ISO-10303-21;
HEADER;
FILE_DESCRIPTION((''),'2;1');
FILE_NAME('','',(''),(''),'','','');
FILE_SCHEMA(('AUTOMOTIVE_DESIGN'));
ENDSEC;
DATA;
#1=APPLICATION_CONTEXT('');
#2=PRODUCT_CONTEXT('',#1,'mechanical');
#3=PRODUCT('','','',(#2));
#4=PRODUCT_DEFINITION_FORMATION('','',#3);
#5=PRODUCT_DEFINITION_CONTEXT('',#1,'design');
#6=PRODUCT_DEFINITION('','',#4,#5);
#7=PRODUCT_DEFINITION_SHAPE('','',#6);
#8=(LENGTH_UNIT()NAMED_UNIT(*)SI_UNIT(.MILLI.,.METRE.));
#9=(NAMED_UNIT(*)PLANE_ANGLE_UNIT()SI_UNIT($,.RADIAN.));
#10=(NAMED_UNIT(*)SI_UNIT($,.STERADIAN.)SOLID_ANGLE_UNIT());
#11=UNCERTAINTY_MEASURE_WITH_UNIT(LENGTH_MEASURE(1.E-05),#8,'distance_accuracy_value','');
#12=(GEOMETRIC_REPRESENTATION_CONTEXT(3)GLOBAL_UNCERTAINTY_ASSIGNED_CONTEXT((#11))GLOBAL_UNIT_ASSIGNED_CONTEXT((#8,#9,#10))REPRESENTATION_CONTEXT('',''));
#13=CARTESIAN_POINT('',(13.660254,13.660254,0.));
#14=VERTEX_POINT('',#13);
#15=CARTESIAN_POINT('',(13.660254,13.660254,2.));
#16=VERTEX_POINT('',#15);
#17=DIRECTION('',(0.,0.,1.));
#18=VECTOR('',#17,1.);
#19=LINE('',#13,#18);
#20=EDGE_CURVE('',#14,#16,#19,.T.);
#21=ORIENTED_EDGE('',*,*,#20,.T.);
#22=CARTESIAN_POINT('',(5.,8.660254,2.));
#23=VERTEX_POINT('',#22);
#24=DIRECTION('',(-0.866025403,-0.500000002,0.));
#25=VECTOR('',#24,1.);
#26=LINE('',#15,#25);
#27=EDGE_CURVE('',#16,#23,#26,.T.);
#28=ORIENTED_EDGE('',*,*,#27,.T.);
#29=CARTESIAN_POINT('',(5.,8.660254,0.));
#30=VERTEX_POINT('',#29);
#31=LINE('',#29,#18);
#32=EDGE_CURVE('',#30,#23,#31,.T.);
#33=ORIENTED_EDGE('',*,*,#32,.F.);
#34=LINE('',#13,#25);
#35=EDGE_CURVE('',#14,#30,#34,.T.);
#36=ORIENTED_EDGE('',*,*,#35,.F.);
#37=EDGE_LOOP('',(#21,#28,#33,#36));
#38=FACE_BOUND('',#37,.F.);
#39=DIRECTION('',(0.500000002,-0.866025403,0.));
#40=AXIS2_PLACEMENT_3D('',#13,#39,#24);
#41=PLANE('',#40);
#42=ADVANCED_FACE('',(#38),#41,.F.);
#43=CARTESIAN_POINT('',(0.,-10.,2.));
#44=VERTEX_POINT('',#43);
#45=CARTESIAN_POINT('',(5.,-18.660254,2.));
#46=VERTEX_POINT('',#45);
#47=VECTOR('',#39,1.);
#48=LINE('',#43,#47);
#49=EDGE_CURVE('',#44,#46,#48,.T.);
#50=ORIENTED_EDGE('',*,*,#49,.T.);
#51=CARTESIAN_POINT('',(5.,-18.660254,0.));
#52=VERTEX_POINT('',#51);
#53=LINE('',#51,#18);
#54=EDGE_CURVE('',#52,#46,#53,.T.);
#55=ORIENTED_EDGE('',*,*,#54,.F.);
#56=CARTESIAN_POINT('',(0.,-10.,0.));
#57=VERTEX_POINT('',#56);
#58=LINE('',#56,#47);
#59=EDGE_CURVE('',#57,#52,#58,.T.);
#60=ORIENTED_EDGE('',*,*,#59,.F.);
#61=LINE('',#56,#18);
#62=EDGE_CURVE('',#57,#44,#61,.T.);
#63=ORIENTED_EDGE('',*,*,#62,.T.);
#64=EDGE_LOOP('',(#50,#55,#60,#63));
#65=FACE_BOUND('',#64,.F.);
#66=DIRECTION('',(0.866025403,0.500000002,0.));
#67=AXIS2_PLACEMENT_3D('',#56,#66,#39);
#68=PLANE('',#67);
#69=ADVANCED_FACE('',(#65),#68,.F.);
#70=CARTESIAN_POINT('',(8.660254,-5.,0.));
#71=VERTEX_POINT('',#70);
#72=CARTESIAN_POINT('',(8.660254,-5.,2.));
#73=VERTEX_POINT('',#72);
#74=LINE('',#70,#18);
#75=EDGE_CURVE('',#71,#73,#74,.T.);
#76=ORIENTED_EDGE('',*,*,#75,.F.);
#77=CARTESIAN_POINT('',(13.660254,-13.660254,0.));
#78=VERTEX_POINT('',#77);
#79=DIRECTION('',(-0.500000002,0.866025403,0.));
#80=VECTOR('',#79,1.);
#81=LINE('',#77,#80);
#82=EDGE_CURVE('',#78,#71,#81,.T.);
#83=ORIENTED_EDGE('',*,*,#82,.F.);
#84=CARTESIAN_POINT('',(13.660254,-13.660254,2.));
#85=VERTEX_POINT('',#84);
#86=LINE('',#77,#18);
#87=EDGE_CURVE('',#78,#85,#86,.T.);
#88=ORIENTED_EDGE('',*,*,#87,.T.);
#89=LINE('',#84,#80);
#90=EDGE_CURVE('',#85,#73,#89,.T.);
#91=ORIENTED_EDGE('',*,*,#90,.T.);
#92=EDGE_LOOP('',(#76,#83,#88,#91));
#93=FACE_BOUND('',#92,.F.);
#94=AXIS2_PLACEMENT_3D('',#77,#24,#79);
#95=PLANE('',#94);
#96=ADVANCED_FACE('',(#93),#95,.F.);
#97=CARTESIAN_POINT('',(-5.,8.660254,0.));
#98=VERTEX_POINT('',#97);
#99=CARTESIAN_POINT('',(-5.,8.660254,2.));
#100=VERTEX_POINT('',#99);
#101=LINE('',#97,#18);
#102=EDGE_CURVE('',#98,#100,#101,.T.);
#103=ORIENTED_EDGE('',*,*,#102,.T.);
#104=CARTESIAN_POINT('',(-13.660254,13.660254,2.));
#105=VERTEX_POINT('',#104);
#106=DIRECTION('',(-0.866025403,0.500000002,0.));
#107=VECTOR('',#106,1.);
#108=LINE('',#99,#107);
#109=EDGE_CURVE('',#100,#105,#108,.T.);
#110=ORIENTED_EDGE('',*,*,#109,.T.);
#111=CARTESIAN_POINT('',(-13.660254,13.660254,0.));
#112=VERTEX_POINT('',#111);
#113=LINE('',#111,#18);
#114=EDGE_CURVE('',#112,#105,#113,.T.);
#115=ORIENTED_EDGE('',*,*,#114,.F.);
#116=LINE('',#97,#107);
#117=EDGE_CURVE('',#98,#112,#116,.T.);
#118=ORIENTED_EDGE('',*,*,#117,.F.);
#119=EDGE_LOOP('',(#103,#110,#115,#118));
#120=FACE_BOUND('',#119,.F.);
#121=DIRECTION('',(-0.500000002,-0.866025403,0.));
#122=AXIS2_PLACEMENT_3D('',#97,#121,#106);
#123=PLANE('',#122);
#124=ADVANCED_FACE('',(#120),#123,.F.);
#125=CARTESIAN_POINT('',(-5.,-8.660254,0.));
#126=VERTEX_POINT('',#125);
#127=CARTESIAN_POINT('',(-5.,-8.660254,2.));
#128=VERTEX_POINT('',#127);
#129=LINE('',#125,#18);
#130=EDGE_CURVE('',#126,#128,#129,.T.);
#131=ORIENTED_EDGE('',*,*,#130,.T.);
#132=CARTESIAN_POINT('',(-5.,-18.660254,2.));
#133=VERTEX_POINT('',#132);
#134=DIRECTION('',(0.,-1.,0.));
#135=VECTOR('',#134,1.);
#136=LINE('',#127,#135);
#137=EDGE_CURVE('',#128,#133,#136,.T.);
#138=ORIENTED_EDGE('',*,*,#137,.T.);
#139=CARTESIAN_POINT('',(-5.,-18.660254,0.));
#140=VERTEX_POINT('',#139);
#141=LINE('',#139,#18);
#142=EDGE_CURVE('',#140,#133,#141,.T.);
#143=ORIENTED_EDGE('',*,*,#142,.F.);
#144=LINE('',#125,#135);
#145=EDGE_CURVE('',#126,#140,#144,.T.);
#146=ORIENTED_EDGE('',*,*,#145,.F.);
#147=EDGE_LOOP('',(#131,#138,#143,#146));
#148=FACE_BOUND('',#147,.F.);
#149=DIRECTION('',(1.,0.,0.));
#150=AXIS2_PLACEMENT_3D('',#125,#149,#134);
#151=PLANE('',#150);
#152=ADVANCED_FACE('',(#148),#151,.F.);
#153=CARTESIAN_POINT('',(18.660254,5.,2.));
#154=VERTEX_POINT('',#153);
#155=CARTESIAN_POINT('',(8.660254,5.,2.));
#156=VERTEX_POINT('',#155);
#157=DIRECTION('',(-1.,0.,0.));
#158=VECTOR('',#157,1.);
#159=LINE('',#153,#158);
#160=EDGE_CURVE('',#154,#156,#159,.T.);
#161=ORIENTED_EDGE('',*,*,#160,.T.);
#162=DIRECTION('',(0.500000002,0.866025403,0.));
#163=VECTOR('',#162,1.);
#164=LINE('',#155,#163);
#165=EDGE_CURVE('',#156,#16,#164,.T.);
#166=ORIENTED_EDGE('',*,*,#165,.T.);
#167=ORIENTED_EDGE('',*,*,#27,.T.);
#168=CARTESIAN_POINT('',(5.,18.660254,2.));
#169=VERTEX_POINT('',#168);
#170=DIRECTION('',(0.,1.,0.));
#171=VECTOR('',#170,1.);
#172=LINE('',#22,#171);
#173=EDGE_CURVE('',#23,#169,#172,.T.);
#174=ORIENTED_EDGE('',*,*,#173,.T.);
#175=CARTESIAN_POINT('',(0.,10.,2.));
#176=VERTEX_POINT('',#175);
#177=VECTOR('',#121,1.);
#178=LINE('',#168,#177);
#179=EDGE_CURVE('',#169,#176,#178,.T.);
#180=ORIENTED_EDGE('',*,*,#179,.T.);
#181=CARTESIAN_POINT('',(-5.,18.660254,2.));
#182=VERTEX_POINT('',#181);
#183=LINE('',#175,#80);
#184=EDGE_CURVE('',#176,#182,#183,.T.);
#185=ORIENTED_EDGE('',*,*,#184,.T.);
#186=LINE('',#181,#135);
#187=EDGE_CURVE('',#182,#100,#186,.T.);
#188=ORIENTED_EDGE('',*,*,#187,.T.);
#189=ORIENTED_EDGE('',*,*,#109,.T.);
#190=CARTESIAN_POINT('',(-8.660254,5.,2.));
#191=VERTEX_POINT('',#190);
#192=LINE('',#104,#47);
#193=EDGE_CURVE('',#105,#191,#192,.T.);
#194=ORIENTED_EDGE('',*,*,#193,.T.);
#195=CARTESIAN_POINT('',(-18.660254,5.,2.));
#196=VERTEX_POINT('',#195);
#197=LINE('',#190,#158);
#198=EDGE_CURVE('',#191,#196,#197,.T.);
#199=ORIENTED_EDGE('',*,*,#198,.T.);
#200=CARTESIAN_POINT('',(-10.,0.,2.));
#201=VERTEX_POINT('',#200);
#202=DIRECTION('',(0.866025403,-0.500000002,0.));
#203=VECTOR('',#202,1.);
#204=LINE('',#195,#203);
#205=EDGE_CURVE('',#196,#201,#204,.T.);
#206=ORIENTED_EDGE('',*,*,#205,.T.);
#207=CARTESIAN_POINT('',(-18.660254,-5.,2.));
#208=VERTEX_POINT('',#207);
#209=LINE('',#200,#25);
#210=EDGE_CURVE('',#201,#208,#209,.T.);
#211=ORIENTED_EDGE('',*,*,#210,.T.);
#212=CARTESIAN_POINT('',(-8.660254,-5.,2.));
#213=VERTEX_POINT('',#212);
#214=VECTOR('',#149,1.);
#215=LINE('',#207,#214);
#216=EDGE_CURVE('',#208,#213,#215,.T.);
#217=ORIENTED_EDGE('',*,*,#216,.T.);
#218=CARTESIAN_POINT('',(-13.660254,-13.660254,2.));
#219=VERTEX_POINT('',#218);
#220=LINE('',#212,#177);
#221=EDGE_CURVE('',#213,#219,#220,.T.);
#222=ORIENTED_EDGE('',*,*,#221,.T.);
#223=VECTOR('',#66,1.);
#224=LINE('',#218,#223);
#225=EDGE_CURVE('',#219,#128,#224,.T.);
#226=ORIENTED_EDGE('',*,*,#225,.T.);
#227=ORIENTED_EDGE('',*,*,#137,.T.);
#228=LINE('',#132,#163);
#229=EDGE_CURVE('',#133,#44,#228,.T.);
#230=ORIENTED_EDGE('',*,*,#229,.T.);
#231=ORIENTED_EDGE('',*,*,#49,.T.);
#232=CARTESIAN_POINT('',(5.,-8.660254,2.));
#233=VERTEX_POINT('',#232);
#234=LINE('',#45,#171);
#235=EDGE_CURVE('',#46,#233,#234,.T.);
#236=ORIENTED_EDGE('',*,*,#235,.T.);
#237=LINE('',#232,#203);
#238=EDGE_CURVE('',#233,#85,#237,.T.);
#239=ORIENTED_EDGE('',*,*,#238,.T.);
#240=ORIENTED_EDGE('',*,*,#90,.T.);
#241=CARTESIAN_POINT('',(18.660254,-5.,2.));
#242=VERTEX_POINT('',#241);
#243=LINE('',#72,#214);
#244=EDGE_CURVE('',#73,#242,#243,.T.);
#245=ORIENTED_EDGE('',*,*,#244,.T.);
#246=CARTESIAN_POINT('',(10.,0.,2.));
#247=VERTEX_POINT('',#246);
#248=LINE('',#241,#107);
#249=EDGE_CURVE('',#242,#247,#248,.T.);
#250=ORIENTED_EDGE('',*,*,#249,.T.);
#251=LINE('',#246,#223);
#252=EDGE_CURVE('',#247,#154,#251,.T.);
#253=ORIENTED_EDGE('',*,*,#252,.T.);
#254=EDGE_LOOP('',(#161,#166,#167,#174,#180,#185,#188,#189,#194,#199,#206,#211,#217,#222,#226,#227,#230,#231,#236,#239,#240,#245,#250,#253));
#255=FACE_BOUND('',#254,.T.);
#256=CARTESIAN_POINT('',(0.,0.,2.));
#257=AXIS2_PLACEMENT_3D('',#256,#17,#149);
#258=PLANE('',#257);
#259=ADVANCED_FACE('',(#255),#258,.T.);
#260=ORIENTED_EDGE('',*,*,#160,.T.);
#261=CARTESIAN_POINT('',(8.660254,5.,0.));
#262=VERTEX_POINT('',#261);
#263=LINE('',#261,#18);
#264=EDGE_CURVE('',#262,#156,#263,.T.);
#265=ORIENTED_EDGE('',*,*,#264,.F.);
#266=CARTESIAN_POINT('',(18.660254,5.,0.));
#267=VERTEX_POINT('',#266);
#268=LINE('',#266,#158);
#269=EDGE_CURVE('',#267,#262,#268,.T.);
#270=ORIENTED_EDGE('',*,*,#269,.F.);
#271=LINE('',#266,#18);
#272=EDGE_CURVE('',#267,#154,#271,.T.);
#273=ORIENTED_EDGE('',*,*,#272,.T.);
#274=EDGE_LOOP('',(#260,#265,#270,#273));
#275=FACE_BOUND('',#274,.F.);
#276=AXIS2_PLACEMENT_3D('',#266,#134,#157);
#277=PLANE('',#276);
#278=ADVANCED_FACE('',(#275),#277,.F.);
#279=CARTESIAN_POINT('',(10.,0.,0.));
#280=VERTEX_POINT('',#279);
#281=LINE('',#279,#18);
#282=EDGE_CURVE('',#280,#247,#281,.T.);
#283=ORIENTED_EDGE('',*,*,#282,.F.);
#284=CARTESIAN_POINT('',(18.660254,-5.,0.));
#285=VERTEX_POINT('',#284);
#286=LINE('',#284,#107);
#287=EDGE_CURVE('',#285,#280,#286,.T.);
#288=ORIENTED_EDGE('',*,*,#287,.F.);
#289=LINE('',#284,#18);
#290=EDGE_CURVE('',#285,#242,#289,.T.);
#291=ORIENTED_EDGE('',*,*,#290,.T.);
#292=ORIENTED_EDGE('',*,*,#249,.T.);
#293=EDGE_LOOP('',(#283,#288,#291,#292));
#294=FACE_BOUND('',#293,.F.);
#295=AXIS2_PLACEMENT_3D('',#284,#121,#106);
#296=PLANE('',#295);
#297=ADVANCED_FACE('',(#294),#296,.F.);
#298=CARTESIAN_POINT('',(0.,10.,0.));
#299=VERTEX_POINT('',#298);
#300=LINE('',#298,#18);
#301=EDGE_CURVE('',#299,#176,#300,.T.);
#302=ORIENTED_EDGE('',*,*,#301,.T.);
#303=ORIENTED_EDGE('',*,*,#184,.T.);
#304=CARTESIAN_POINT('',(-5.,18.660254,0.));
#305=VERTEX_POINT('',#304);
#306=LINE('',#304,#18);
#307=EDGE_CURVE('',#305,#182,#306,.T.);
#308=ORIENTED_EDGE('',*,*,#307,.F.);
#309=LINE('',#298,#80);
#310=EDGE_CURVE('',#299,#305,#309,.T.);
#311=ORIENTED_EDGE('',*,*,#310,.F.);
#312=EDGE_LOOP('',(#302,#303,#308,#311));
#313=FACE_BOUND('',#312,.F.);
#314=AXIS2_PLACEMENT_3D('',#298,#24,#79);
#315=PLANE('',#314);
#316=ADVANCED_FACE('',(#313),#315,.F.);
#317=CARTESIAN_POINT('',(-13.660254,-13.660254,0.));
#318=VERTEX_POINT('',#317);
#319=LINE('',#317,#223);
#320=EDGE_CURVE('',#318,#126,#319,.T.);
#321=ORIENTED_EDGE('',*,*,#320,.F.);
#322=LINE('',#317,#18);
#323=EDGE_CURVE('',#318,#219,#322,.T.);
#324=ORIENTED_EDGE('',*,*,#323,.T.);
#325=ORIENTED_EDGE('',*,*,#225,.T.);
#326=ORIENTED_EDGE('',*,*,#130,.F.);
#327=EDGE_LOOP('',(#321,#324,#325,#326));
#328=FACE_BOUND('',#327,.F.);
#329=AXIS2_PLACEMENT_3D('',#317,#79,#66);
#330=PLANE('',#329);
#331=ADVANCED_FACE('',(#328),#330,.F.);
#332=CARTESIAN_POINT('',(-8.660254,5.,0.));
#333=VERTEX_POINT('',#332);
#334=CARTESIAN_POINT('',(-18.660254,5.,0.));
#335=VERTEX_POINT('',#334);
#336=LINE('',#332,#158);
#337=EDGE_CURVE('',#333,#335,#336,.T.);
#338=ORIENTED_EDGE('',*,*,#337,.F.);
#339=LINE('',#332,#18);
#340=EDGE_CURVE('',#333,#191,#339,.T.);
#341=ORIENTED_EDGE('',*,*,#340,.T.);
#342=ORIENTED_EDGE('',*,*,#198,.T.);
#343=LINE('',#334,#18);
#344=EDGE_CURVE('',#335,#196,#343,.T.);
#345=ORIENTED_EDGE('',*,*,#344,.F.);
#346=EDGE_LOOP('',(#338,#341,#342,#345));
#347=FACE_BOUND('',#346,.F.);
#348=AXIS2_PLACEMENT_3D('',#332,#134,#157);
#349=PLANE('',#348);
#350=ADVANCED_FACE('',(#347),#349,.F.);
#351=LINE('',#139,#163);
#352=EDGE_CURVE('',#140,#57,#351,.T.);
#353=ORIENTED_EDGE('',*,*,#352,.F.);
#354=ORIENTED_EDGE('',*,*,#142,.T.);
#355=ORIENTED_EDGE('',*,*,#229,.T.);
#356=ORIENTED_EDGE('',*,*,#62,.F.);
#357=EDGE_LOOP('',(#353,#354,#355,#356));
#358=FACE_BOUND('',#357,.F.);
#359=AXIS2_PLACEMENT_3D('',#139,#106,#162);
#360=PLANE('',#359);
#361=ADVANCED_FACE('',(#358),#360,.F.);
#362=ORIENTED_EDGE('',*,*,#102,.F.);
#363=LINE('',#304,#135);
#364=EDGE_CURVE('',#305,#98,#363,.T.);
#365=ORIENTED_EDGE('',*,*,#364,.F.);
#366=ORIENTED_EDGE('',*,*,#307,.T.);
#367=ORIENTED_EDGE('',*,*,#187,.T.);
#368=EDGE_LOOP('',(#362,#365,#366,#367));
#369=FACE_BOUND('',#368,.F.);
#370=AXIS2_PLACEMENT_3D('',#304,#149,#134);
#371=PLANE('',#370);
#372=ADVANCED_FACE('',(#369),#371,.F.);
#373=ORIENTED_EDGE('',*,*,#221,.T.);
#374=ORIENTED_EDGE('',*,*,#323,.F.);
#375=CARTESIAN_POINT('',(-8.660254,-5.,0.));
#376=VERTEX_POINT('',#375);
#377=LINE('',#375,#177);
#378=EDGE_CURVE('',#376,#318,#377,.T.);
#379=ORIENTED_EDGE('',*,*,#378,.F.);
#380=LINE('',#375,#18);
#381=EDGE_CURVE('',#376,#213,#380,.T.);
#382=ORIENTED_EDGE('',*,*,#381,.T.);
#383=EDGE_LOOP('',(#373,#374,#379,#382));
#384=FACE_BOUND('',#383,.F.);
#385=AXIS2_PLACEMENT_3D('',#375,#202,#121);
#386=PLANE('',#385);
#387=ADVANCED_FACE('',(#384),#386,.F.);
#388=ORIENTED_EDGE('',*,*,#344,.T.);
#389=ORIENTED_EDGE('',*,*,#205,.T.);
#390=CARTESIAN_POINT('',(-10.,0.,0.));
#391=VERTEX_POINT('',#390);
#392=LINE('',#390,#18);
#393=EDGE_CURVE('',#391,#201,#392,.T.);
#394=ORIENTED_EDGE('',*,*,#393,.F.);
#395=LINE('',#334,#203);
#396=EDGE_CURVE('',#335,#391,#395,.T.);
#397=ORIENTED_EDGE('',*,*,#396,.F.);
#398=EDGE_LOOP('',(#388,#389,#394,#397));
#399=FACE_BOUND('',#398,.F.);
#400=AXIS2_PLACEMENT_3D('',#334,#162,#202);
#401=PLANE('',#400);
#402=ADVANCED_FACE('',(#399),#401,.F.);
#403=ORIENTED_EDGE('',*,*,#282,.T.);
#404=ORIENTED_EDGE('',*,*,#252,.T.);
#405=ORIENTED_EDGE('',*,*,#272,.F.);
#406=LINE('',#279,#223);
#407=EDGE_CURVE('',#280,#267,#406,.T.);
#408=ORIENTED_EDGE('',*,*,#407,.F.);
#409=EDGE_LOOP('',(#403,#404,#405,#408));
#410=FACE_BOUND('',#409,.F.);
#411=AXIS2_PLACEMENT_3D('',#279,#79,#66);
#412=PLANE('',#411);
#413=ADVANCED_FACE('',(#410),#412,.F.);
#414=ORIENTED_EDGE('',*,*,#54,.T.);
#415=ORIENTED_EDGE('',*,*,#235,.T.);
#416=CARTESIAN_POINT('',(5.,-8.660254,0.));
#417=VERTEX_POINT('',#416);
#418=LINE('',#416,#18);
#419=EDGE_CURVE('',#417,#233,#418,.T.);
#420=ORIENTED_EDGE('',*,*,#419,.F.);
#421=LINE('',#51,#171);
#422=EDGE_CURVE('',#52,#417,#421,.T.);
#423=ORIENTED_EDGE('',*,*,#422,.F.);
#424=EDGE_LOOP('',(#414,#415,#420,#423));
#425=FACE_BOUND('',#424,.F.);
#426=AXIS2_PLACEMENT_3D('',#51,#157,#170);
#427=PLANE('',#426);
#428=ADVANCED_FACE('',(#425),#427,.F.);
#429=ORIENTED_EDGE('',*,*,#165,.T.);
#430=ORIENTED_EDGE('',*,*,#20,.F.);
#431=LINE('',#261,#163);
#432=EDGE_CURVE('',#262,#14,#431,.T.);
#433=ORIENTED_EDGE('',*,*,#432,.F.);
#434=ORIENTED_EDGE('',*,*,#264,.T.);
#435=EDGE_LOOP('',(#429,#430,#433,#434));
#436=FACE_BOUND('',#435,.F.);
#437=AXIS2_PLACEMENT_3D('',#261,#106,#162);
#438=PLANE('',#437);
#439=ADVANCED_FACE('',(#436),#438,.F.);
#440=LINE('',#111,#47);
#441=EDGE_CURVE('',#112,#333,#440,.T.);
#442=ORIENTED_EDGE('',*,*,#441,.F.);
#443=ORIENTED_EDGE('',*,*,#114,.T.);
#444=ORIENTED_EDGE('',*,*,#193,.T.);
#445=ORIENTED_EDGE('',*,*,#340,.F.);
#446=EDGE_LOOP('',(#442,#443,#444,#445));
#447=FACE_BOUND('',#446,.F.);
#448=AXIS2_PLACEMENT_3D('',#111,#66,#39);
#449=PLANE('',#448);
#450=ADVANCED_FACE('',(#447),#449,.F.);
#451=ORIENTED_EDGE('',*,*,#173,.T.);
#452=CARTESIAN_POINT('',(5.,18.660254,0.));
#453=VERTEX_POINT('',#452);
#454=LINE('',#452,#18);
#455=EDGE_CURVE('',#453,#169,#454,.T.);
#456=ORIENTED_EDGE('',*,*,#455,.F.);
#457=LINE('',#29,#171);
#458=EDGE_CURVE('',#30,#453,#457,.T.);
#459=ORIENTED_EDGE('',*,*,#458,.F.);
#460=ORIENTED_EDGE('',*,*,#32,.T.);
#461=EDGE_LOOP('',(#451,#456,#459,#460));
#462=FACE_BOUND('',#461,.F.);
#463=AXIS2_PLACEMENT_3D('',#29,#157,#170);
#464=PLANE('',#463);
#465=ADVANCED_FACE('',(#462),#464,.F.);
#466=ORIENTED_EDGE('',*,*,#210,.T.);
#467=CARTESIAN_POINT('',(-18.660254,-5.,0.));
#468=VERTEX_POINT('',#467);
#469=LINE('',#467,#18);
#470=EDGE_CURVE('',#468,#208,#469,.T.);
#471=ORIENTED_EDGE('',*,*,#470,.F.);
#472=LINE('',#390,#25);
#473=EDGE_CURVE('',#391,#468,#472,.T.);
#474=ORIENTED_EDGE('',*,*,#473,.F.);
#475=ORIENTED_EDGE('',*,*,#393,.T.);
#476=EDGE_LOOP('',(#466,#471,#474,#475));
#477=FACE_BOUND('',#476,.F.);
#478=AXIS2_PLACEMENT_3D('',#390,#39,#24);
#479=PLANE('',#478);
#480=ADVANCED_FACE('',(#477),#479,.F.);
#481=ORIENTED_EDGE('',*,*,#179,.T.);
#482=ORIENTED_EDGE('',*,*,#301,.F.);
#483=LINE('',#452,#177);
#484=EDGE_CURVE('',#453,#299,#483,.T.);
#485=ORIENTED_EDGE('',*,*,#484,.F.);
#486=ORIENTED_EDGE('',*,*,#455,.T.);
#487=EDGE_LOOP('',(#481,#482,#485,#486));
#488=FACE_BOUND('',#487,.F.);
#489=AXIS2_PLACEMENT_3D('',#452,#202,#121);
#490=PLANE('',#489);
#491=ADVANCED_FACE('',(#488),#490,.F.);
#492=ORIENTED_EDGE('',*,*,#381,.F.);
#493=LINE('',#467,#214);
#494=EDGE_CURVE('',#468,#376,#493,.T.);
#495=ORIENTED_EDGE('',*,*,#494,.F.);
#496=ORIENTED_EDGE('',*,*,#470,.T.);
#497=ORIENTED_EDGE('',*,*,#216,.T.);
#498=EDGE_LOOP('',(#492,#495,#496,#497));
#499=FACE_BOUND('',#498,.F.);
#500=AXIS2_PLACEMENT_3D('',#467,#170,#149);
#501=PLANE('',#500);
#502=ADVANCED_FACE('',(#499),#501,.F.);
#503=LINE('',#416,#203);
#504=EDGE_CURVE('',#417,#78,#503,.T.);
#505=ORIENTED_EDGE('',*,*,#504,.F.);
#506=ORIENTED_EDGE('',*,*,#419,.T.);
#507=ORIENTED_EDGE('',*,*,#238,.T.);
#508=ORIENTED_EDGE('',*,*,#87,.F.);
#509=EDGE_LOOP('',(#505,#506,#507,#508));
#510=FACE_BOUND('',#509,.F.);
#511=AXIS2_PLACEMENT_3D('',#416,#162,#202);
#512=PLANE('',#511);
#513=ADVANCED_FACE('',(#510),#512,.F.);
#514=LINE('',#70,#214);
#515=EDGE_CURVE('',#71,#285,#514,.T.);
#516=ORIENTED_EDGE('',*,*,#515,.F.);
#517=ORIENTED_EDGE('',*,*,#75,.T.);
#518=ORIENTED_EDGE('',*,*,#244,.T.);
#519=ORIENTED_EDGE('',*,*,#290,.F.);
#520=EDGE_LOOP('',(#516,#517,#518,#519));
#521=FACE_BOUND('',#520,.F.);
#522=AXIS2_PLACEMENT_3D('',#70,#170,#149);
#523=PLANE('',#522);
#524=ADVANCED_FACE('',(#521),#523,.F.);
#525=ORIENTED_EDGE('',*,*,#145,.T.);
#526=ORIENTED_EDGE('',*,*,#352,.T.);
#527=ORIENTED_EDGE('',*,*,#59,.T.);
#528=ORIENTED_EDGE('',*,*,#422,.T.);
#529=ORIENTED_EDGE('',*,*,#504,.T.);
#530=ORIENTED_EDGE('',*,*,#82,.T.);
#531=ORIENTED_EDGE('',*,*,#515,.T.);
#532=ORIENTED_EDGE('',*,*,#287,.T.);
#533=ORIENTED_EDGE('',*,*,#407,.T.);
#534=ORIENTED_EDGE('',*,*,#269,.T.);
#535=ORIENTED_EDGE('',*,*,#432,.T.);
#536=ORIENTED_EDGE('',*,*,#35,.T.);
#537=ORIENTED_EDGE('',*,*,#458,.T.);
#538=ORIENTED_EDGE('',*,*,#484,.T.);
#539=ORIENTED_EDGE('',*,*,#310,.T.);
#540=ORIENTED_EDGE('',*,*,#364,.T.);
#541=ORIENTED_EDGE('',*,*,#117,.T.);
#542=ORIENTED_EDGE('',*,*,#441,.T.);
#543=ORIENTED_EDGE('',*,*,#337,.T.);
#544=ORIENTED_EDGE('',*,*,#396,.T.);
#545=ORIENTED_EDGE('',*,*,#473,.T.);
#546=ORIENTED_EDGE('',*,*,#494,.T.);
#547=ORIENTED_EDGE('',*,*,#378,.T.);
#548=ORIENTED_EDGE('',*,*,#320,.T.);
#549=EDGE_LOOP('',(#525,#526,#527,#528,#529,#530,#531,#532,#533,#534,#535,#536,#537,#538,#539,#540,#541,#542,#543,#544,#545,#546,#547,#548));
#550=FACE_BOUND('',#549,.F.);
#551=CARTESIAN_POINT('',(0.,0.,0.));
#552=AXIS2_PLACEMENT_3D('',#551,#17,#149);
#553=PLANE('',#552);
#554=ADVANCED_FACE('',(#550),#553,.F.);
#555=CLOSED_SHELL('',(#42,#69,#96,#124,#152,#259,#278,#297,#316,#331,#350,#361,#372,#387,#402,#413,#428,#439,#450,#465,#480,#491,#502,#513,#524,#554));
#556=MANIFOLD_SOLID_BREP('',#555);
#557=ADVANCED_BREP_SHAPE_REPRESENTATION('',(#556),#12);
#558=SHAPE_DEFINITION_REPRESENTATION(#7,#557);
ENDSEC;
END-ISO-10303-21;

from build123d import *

# Parameters (mm, degrees)
F1_DEPTH = 2


with BuildPart() as f1:
    # F0 (on Top) → F1 (new body)
    with BuildSketch(Plane.XY):
        Polygon((0, 10), (-5, 18.660254), (-5, 8.660254), (-13.660254, 13.660254), (-8.660254, 5), (-18.660254, 5), (-10, 0), (-18.660254, -5), (-8.660254, -5), (-13.660254, -13.660254), (-5, -8.660254), (-5, -18.660254), (0, -10), (5, -18.660254), (5, -8.660254), (13.660254, -13.660254), (8.660254, -5), (18.660254, -5), (10, 0), (18.660254, 5), (8.660254, 5), (13.660254, 13.660254), (5, 8.660254), (5, 18.660254), align=None)
    extrude(amount=F1_DEPTH)


solid = f1.part
